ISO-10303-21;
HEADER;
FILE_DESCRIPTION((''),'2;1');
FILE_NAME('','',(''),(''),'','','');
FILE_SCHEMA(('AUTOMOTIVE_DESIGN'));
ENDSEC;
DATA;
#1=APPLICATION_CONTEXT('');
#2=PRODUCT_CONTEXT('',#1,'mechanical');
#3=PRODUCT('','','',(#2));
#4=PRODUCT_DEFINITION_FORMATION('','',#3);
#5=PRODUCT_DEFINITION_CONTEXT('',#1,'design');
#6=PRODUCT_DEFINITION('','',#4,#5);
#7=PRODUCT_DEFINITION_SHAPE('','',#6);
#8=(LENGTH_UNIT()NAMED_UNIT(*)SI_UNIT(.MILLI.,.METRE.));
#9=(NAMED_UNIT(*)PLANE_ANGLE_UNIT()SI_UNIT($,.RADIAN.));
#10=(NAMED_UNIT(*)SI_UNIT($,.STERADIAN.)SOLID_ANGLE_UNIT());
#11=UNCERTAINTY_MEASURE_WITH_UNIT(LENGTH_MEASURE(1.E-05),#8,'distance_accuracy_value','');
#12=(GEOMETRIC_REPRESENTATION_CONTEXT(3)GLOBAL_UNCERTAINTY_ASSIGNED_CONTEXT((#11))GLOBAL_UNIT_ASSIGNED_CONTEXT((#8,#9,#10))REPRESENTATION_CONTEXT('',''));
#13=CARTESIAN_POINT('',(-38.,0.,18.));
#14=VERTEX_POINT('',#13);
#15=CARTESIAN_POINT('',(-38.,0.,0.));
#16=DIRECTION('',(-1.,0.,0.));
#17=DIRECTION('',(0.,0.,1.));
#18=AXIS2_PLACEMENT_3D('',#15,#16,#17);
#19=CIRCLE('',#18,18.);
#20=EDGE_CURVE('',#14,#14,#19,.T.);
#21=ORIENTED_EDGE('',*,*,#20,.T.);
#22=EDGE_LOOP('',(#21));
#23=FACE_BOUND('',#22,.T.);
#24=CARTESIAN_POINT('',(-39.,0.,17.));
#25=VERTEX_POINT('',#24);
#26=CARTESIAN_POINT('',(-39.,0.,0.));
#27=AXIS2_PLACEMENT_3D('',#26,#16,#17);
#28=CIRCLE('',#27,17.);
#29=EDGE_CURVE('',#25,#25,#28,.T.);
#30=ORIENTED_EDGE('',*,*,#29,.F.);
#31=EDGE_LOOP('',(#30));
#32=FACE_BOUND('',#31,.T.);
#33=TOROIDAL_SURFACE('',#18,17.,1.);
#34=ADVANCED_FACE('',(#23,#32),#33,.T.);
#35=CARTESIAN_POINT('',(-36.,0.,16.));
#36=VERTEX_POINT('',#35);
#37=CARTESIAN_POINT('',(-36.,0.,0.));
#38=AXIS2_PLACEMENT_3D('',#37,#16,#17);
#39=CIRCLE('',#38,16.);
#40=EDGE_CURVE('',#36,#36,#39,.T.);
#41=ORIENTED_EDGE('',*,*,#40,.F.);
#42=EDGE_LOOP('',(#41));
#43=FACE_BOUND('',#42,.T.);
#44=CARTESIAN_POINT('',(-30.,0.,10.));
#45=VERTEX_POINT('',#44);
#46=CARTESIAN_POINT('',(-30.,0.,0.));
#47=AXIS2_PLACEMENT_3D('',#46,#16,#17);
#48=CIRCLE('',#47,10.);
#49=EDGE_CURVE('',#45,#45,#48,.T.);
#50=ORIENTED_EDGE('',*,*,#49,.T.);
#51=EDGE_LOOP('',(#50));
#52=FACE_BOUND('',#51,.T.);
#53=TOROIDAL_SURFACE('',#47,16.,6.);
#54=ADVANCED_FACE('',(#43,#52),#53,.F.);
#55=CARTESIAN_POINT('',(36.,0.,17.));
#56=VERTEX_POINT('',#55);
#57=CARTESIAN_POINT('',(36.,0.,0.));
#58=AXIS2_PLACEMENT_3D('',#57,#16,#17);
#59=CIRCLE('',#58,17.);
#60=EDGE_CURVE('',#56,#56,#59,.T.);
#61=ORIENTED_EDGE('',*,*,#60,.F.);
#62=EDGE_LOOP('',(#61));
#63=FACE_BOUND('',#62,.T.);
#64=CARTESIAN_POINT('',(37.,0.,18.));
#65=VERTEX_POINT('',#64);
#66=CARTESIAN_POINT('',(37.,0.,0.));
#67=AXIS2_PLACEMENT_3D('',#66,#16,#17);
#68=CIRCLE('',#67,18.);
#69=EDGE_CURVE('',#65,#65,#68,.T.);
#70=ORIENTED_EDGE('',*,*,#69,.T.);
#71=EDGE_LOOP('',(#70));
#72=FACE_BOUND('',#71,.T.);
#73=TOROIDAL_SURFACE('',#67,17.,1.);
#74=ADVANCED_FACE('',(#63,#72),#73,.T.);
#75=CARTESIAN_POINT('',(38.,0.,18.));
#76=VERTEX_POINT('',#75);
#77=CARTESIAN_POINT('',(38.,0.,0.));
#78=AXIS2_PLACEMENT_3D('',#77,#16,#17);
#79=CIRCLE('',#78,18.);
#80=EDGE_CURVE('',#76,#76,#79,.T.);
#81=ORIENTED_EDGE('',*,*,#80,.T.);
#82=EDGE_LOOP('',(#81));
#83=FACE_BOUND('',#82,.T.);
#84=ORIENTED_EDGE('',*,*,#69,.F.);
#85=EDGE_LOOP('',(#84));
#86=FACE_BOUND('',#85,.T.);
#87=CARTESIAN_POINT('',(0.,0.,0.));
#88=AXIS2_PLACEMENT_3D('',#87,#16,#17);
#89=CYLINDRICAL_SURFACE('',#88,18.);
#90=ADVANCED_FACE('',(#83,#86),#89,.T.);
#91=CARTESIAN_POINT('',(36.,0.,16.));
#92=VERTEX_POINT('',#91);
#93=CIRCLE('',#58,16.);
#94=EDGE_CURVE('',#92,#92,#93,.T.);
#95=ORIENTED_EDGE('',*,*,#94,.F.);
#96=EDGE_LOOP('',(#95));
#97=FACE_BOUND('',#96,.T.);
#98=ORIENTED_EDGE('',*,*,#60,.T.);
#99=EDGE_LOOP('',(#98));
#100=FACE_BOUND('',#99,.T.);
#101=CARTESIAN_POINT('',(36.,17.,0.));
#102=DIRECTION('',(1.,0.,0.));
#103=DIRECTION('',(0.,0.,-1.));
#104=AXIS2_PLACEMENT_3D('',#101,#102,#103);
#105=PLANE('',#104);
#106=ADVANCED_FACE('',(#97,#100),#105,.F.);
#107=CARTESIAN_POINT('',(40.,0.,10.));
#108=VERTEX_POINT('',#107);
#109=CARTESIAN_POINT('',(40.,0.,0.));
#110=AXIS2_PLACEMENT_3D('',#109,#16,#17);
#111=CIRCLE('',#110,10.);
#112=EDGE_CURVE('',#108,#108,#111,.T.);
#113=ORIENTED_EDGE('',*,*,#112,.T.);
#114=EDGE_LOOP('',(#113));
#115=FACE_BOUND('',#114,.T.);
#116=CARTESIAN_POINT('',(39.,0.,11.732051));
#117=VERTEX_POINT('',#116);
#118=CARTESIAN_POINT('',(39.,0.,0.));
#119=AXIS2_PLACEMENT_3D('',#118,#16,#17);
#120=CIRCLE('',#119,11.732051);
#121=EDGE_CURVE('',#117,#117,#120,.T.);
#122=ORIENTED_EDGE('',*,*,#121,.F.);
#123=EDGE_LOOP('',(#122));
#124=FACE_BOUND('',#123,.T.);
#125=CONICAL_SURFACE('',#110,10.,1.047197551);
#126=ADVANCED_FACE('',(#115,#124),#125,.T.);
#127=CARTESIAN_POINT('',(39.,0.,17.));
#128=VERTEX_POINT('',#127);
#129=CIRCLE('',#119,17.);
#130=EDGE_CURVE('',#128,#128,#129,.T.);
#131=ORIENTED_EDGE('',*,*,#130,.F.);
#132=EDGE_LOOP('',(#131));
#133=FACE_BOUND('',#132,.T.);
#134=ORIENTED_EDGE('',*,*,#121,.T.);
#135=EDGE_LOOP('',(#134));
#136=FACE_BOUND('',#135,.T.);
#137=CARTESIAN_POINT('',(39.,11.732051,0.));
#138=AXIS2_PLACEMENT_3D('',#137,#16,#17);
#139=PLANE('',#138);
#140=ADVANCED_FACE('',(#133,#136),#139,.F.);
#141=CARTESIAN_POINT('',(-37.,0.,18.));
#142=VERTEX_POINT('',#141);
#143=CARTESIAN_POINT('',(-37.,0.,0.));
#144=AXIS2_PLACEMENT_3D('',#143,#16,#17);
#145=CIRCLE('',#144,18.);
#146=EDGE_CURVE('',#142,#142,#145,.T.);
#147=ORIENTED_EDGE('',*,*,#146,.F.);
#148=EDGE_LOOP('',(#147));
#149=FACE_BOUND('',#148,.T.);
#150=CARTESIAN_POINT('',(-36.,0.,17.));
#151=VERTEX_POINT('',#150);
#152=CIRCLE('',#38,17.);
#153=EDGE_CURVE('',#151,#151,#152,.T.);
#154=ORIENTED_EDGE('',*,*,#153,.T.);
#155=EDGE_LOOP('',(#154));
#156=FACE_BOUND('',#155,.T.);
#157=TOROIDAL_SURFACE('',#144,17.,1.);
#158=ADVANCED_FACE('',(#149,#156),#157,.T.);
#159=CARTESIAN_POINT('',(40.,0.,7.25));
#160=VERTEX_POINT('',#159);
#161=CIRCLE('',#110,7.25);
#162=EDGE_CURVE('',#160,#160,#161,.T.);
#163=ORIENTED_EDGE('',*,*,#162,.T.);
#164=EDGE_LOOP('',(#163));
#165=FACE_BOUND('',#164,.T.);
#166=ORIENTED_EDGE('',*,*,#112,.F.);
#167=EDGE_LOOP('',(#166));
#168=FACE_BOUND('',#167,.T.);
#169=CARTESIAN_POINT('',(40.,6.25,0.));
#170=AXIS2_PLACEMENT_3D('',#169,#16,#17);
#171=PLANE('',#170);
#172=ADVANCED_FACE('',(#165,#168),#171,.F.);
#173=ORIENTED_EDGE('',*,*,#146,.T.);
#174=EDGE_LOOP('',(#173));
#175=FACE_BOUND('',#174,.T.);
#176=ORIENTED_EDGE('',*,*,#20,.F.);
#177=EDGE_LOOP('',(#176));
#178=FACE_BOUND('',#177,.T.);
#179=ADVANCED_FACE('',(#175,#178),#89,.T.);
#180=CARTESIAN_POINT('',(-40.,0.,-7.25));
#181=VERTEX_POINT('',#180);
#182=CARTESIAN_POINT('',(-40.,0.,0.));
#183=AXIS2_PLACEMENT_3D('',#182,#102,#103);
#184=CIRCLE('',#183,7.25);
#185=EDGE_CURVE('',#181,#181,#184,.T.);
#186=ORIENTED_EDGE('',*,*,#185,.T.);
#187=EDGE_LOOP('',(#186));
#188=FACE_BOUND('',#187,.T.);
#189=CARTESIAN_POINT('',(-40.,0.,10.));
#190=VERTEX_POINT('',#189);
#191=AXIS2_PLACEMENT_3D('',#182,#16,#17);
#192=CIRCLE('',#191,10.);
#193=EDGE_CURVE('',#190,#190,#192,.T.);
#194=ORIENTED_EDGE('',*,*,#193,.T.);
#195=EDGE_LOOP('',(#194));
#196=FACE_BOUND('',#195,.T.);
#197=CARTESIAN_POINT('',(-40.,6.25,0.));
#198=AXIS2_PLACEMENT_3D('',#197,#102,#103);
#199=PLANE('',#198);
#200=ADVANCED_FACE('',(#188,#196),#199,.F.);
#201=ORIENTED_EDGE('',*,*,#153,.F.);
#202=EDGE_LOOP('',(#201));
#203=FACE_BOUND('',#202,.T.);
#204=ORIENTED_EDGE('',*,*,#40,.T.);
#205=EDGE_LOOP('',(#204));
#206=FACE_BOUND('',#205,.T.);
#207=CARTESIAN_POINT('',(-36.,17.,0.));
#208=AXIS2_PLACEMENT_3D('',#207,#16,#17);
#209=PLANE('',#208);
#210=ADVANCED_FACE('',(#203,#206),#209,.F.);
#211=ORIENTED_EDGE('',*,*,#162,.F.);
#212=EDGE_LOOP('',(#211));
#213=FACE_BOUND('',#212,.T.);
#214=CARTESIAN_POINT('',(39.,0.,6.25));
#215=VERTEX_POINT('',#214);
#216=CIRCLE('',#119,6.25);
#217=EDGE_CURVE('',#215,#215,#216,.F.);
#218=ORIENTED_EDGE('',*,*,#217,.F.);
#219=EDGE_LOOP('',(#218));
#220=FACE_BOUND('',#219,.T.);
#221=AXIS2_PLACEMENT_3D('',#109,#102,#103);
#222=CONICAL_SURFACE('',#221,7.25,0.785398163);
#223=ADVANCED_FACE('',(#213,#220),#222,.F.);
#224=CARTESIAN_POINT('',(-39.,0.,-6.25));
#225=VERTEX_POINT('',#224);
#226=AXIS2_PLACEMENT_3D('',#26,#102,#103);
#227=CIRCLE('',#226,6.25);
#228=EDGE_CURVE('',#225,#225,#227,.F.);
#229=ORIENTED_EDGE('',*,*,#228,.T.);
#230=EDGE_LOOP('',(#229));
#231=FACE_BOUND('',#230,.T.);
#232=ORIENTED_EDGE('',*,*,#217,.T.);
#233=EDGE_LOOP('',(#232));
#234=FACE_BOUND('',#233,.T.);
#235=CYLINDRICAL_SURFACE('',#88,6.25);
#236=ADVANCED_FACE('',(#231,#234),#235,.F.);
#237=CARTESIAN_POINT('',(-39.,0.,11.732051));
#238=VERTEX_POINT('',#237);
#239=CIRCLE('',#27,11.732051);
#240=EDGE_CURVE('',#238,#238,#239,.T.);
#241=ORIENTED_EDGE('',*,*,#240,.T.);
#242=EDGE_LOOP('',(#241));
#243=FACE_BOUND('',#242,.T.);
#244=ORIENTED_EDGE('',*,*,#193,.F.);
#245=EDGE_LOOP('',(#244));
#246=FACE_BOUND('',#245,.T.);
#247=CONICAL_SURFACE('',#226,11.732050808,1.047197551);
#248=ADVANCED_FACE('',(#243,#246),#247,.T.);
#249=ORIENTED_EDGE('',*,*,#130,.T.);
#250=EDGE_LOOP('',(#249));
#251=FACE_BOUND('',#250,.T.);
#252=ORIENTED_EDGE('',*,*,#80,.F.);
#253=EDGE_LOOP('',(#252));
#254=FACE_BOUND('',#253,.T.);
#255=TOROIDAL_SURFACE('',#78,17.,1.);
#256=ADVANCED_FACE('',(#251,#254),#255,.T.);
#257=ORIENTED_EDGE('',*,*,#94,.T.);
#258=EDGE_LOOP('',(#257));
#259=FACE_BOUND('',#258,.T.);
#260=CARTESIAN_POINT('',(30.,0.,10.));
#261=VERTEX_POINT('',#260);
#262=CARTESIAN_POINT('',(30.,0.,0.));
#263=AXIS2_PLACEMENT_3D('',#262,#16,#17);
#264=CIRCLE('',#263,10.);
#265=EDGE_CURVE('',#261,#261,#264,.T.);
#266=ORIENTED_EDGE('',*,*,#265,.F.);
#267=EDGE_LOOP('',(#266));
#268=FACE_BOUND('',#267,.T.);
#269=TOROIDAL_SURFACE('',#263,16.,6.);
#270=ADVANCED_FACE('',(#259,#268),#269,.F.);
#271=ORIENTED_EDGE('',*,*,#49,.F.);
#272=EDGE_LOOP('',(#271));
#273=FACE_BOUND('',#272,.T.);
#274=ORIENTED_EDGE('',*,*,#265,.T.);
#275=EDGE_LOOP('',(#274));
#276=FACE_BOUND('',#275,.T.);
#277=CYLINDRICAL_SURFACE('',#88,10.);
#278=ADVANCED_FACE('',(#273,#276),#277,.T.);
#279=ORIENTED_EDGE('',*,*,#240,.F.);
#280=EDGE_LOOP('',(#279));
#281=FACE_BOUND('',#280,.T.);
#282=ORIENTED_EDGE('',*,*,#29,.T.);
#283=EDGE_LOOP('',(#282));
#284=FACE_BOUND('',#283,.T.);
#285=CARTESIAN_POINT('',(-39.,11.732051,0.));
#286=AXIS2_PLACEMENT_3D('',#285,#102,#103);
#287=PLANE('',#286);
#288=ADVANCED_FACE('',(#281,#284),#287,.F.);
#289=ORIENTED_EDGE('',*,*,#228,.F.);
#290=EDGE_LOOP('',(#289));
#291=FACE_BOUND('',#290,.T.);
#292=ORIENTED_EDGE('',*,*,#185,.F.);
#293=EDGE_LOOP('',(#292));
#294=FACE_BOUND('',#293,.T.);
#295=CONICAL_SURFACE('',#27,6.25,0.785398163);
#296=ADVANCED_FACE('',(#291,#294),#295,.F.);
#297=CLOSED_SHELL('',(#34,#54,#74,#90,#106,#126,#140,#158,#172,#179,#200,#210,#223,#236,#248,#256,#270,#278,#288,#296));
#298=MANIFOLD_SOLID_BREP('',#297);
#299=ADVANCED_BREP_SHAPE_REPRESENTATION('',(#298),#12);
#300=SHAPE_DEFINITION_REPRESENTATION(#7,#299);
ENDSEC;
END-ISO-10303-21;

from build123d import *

# Parameters (mm, degrees)
KANTREIFNING1_SIZE = 1


with BuildPart() as part:
    # Sketch1 → Revolve1 (revolve)
    with BuildSketch(Plane.XY):
        with BuildLine():
            Line((40, 6.25), (40, 10))
            Line((40, 10), (39, 11.732050808))
            Line((39, 11.732050808), (39, 17))
            ThreePointArc((39, 17), (38.707106781, 17.707106781), (38, 18))
            Line((38, 18), (37, 18))
            ThreePointArc((37, 18), (36.292893219, 17.707106781), (36, 17))
            Line((36, 17), (36, 16))
            ThreePointArc((36, 16), (34.242640687, 11.757359313), (30, 10))
            Line((30, 10), (-30, 10))
            ThreePointArc((-30, 10), (-34.242640687, 11.757359313), (-36, 16))
            Line((-36, 16), (-36, 17))
            ThreePointArc((-36, 17), (-36.292893219, 17.707106781), (-37, 18))
            Line((-37, 18), (-38, 18))
            ThreePointArc((-38, 18), (-38.707106781, 17.707106781), (-39, 17))
            Line((-39, 17), (-39, 11.732050808))
            Line((-39, 11.732050808), (-40, 10))
            Line((-40, 10), (-40, 6.25))
            Line((-40, 6.25), (40, 6.25))
        make_face()
    revolve(axis=Axis((0, 0, 0), (1, 0, 0)))

    # Kantreifning1
    kantreifning1_edges = [part.edges().sort_by_distance(p)[0] for p in [
        (40, -6.25, 0),
        (-40, -6.25, 0),
    ]]
    chamfer(kantreifning1_edges, length=KANTREIFNING1_SIZE)


solid = part.part
